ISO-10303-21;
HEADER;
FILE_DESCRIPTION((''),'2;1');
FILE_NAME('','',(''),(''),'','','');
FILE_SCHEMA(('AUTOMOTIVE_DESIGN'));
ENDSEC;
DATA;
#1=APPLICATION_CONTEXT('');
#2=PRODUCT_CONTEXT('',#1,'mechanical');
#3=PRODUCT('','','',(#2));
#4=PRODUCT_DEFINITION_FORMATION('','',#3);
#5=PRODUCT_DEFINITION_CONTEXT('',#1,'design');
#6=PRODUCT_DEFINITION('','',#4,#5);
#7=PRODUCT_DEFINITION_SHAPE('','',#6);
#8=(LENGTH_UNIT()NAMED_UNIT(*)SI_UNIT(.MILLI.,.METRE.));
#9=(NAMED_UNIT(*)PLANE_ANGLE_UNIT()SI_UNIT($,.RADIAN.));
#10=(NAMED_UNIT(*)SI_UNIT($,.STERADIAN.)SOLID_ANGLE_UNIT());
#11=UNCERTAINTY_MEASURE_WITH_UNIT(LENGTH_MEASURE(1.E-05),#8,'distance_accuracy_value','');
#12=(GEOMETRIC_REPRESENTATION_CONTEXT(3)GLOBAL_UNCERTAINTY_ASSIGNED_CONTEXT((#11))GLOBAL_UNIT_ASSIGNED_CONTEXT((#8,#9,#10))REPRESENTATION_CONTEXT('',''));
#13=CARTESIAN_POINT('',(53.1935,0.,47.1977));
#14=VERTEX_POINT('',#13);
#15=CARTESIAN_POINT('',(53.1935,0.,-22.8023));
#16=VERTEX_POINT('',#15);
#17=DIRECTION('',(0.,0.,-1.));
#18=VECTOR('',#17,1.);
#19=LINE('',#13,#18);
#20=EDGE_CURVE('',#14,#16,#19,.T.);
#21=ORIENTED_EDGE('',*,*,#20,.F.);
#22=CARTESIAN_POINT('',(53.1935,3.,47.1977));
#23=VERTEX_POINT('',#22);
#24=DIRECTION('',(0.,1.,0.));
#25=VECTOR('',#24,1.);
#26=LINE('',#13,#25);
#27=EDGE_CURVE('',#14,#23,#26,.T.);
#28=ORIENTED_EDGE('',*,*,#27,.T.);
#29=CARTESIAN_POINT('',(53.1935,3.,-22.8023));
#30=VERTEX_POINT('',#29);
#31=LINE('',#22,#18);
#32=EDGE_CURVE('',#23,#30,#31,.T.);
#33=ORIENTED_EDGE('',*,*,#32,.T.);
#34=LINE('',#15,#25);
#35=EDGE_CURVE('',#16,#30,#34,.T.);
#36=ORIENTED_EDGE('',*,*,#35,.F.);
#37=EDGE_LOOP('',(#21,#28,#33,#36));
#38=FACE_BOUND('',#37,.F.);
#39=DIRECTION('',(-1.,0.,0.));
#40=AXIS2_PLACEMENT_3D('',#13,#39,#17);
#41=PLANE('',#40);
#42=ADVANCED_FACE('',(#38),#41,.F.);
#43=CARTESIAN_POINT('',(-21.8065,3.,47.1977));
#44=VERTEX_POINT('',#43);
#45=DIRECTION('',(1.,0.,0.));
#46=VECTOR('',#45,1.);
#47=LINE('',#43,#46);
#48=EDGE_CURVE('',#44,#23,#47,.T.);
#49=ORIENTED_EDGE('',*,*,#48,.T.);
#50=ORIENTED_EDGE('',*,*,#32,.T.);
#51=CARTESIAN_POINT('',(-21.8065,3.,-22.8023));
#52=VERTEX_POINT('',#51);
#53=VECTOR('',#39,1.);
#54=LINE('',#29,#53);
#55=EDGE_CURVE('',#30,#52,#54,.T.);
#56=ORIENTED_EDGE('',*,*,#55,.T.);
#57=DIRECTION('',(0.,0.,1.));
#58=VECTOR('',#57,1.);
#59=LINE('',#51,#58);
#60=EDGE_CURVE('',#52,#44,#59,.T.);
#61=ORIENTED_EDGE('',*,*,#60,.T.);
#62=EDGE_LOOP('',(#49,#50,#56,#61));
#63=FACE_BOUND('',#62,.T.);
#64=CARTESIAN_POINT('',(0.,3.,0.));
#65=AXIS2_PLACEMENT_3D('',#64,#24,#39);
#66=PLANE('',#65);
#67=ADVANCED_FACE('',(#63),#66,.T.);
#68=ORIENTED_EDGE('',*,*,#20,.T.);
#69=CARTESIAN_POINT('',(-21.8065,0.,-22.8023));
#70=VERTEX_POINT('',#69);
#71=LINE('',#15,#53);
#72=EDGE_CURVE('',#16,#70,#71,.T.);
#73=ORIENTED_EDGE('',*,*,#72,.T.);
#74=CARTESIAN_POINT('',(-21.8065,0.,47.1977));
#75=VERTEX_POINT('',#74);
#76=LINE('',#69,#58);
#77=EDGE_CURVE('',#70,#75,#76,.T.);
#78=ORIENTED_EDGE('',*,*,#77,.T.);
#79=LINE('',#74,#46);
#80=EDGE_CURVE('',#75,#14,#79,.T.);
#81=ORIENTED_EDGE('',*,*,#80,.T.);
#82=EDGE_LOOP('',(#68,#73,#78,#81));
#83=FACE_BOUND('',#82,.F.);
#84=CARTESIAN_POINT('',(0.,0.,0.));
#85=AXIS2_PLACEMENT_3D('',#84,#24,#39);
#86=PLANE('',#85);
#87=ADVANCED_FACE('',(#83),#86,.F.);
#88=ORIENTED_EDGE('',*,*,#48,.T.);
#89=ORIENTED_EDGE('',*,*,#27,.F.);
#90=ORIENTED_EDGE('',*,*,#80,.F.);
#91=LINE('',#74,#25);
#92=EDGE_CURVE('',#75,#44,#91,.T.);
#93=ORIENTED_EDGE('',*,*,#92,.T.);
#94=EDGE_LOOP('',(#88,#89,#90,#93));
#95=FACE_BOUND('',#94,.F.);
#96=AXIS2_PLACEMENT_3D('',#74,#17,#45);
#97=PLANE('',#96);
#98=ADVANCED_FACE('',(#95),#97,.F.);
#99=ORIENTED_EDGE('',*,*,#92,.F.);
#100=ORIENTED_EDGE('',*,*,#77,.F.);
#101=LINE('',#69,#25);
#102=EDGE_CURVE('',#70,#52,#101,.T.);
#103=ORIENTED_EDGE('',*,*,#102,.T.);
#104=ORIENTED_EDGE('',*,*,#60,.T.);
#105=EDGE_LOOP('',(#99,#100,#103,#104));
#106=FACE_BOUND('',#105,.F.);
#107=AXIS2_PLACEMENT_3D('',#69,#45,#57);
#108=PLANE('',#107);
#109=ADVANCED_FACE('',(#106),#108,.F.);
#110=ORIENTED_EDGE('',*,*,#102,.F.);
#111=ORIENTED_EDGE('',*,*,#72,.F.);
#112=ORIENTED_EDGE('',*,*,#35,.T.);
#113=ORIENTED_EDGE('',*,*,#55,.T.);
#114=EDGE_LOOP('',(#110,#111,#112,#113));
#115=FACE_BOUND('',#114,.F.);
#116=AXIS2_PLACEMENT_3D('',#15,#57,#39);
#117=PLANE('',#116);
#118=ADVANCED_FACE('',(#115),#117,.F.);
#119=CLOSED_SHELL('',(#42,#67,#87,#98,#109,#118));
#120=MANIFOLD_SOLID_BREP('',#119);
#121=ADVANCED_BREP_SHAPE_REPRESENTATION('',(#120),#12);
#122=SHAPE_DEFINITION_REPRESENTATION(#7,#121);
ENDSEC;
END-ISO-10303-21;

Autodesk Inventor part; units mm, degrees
ref_plane "YZ Plane" through (0, 0, 0) normal (1, 0, 0) x (0, 1, 0)
ref_plane "XZ Plane" through (0, 0, 0) normal (0, 1, 0) x (-1, 0, 0)
ref_plane "XY Plane" through (0, 0, 0) normal (0, 0, 1) x (1, 0, 0)
sketch "スケッチ1" plane through (0, 0, 0) normal (0, 1, 0) x (-1, 0, 0)
  point P0 (0, 0)
sketch "スケッチ2" plane through (0, 0, 0) normal (0, 1, 0) x (-1, 0, 0)
  line L0 (21.8065, 47.1977) -> (-53.1935, 47.1977)
  line L1 (-53.1935, 47.1977) -> (-53.1935, -22.8023)
  line L2 (-53.1935, -22.8023) -> (21.8065, -22.8023)
  line L3 (21.8065, -22.8023) -> (21.8065, 47.1977)
  point P0 (0, 0)
  dimension "d0" = 70
  dimension "d1" = 75
extrude "押し出し1" add sketch "スケッチ2" along normal blind 3
equation "\"BendRadius\" = Thickness"
equation "\"BendReliefWidth\" = Thickness"
equation "\"BendReliefDepth\" = 0.5 * Thickness"
equation "\"CornerReliefSize\" = 4 * Thickness"
equation "\"MinimumRemnant\" = 2 * Thickness"
equation "\"TransitionRadius\" = BendRadius"
equation "\"JacobiRadiusSize\" = BendRadius"
equation "\"GapSize\" = Thickness"
equation "\"Thickness\" = 0.5"
properties part number "remake2"
